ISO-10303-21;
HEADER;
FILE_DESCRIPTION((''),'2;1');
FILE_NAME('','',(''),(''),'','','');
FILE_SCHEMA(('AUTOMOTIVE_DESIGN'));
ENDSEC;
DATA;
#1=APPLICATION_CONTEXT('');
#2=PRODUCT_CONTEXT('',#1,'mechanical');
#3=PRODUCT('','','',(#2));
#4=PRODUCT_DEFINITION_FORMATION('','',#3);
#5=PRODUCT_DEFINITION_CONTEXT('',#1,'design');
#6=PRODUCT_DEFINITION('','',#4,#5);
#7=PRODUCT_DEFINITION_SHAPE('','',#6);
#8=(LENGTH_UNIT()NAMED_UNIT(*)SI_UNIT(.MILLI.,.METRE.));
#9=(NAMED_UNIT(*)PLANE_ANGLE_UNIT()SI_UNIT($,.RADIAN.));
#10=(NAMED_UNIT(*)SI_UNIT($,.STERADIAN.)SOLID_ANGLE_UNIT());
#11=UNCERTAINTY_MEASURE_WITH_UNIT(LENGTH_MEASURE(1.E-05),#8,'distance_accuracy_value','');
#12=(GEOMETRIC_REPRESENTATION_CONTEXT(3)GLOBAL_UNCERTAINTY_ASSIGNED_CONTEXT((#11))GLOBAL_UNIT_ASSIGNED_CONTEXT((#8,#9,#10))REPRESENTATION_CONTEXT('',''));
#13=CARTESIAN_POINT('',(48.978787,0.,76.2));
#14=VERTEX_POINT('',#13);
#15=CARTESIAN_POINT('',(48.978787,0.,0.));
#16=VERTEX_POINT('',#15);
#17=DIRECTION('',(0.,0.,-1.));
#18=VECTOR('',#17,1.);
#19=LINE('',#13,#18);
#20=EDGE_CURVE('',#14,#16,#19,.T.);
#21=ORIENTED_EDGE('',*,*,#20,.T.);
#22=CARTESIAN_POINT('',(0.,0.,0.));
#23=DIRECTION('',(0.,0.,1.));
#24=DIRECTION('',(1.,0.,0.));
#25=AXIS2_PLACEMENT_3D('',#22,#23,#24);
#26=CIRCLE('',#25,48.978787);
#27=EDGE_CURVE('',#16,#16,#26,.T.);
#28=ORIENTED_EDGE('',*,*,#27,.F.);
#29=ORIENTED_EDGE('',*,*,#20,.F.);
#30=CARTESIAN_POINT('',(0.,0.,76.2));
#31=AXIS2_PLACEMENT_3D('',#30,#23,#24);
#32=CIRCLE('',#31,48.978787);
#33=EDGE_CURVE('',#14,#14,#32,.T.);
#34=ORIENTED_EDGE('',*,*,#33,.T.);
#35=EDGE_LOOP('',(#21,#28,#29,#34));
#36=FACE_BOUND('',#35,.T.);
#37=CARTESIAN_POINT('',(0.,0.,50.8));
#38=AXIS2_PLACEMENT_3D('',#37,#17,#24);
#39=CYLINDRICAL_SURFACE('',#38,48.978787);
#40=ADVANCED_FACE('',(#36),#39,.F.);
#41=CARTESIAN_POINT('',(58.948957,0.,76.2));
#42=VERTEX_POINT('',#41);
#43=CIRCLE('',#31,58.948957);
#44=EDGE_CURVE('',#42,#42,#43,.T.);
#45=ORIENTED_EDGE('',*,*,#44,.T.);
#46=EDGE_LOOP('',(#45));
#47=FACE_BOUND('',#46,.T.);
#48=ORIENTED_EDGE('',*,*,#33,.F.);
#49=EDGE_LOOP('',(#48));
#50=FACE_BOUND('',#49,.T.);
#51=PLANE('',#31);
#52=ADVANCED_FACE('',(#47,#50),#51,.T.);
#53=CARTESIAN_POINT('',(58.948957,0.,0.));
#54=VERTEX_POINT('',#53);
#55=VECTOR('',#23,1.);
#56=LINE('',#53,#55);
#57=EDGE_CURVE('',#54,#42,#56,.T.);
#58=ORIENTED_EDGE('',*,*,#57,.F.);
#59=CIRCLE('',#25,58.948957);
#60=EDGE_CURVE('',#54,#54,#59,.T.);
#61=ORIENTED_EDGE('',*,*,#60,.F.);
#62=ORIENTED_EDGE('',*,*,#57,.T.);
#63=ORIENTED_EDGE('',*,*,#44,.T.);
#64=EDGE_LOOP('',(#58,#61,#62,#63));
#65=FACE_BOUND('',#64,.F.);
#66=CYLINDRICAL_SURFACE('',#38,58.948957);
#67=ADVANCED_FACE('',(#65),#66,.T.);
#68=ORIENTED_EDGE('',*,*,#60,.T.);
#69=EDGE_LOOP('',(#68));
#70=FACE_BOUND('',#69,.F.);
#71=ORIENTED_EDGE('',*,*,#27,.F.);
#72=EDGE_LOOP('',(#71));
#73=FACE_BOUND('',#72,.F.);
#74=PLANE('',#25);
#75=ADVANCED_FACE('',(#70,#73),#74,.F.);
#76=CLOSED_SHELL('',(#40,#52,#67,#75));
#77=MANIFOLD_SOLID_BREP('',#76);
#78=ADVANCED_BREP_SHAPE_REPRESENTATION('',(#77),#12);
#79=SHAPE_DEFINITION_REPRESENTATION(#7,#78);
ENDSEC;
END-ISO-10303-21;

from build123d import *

# Parameters (mm, degrees)
F0_R     = 58.9489571111
F0_R_2   = 48.9787868108
F1_DEPTH = 25.4
F2_DEPTH = 25.4
F3_DEPTH = 25.4


with BuildPart() as f1:
    # F0 (on Top) → F1 (new body)
    with BuildSketch(Plane.XY):
        Circle(F0_R)
        Circle(F0_R_2, mode=Mode.SUBTRACT)
    extrude(amount=F1_DEPTH)

    # F2 (add): faces of the model
    f2_faces = [f1.faces().sort_by_distance(p)[0] for p in [
        (-57.2816288184, 0, 25.4),
        (-57.2816288184, 0, 0),
    ]]
    extrude(f2_faces, amount=F2_DEPTH, dir=(0, 0, 1))

    # F3 (add): a face of the model
    f3_faces = [f1.faces().sort_by_distance(p)[0] for p in [
        (-57.2816288184, 0, 50.8),
    ]]
    extrude(f3_faces, amount=F3_DEPTH)


solid = f1.part
